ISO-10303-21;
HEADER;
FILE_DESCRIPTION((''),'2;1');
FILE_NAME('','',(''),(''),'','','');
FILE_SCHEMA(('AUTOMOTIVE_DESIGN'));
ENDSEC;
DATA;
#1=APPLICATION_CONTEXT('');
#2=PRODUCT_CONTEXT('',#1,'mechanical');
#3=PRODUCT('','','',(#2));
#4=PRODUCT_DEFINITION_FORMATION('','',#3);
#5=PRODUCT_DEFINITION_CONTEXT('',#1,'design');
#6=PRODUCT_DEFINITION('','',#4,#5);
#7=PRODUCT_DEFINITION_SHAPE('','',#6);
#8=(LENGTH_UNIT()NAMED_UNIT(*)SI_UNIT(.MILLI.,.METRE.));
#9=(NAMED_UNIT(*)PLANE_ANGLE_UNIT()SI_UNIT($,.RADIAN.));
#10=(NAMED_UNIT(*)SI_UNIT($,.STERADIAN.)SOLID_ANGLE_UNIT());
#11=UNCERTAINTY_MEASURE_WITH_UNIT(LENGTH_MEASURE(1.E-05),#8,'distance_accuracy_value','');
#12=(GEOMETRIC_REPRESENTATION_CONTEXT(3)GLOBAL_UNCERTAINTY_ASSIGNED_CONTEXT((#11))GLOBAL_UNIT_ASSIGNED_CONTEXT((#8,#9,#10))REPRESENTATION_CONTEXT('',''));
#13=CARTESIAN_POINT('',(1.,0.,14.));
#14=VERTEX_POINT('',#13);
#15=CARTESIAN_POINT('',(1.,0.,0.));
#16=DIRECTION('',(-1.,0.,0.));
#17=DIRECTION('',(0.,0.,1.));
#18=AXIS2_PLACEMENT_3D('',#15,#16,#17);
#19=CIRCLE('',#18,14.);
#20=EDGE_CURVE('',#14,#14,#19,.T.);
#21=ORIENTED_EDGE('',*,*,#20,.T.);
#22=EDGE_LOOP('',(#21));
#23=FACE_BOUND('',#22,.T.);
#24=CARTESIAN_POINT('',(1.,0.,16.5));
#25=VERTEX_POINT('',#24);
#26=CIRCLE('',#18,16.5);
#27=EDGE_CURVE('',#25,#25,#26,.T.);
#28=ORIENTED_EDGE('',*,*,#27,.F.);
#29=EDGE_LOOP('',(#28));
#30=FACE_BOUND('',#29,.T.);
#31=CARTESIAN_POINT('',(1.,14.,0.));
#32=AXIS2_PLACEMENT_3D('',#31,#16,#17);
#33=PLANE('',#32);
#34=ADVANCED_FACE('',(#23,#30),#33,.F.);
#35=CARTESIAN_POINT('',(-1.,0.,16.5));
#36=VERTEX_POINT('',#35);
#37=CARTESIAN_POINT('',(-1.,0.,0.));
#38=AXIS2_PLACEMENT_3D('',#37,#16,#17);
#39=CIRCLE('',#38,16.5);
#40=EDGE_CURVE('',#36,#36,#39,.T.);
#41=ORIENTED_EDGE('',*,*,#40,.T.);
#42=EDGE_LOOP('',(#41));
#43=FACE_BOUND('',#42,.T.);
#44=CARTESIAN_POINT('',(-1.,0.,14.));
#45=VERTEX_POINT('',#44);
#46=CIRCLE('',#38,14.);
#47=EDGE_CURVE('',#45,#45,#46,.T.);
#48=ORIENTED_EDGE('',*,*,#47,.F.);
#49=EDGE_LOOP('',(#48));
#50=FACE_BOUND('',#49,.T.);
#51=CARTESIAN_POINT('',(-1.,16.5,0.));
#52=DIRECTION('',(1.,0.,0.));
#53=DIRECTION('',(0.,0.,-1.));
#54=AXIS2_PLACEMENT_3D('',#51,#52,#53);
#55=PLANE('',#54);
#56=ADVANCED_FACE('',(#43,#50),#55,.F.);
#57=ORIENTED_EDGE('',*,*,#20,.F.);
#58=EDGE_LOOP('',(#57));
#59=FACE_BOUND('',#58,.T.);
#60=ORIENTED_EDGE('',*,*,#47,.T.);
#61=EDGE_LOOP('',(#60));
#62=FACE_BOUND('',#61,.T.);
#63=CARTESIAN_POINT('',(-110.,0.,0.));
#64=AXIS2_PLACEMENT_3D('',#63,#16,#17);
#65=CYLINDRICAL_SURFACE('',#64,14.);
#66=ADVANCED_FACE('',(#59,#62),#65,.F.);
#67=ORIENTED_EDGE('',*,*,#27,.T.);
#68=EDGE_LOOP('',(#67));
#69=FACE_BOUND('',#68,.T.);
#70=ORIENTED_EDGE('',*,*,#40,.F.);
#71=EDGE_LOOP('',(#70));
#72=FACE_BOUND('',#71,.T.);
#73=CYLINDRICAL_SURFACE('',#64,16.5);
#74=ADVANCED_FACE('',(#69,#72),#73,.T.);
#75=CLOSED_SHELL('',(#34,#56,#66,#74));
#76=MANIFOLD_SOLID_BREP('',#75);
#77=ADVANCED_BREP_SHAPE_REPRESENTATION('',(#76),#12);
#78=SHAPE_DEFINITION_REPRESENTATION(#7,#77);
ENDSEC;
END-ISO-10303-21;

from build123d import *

# Parameters (mm, degrees)
AXIAL_PROFILE_MM_W = 2
AXIAL_PROFILE_MM_H = 2.5


with BuildPart() as part:
    # Axial profile (mm) → Full revolution (revolve)
    with BuildSketch(Plane.XY, mode=Mode.PRIVATE) as full_revolution_sk:
        with Locations((0, 15.25)):
            Rectangle(AXIAL_PROFILE_MM_W, AXIAL_PROFILE_MM_H)
    revolve(full_revolution_sk.sketch.rotate(Axis((-110, 0, 0), (1, 0, 0)), 90), axis=Axis((-110, 0, 0), (1, 0, 0)))


solid = part.part
